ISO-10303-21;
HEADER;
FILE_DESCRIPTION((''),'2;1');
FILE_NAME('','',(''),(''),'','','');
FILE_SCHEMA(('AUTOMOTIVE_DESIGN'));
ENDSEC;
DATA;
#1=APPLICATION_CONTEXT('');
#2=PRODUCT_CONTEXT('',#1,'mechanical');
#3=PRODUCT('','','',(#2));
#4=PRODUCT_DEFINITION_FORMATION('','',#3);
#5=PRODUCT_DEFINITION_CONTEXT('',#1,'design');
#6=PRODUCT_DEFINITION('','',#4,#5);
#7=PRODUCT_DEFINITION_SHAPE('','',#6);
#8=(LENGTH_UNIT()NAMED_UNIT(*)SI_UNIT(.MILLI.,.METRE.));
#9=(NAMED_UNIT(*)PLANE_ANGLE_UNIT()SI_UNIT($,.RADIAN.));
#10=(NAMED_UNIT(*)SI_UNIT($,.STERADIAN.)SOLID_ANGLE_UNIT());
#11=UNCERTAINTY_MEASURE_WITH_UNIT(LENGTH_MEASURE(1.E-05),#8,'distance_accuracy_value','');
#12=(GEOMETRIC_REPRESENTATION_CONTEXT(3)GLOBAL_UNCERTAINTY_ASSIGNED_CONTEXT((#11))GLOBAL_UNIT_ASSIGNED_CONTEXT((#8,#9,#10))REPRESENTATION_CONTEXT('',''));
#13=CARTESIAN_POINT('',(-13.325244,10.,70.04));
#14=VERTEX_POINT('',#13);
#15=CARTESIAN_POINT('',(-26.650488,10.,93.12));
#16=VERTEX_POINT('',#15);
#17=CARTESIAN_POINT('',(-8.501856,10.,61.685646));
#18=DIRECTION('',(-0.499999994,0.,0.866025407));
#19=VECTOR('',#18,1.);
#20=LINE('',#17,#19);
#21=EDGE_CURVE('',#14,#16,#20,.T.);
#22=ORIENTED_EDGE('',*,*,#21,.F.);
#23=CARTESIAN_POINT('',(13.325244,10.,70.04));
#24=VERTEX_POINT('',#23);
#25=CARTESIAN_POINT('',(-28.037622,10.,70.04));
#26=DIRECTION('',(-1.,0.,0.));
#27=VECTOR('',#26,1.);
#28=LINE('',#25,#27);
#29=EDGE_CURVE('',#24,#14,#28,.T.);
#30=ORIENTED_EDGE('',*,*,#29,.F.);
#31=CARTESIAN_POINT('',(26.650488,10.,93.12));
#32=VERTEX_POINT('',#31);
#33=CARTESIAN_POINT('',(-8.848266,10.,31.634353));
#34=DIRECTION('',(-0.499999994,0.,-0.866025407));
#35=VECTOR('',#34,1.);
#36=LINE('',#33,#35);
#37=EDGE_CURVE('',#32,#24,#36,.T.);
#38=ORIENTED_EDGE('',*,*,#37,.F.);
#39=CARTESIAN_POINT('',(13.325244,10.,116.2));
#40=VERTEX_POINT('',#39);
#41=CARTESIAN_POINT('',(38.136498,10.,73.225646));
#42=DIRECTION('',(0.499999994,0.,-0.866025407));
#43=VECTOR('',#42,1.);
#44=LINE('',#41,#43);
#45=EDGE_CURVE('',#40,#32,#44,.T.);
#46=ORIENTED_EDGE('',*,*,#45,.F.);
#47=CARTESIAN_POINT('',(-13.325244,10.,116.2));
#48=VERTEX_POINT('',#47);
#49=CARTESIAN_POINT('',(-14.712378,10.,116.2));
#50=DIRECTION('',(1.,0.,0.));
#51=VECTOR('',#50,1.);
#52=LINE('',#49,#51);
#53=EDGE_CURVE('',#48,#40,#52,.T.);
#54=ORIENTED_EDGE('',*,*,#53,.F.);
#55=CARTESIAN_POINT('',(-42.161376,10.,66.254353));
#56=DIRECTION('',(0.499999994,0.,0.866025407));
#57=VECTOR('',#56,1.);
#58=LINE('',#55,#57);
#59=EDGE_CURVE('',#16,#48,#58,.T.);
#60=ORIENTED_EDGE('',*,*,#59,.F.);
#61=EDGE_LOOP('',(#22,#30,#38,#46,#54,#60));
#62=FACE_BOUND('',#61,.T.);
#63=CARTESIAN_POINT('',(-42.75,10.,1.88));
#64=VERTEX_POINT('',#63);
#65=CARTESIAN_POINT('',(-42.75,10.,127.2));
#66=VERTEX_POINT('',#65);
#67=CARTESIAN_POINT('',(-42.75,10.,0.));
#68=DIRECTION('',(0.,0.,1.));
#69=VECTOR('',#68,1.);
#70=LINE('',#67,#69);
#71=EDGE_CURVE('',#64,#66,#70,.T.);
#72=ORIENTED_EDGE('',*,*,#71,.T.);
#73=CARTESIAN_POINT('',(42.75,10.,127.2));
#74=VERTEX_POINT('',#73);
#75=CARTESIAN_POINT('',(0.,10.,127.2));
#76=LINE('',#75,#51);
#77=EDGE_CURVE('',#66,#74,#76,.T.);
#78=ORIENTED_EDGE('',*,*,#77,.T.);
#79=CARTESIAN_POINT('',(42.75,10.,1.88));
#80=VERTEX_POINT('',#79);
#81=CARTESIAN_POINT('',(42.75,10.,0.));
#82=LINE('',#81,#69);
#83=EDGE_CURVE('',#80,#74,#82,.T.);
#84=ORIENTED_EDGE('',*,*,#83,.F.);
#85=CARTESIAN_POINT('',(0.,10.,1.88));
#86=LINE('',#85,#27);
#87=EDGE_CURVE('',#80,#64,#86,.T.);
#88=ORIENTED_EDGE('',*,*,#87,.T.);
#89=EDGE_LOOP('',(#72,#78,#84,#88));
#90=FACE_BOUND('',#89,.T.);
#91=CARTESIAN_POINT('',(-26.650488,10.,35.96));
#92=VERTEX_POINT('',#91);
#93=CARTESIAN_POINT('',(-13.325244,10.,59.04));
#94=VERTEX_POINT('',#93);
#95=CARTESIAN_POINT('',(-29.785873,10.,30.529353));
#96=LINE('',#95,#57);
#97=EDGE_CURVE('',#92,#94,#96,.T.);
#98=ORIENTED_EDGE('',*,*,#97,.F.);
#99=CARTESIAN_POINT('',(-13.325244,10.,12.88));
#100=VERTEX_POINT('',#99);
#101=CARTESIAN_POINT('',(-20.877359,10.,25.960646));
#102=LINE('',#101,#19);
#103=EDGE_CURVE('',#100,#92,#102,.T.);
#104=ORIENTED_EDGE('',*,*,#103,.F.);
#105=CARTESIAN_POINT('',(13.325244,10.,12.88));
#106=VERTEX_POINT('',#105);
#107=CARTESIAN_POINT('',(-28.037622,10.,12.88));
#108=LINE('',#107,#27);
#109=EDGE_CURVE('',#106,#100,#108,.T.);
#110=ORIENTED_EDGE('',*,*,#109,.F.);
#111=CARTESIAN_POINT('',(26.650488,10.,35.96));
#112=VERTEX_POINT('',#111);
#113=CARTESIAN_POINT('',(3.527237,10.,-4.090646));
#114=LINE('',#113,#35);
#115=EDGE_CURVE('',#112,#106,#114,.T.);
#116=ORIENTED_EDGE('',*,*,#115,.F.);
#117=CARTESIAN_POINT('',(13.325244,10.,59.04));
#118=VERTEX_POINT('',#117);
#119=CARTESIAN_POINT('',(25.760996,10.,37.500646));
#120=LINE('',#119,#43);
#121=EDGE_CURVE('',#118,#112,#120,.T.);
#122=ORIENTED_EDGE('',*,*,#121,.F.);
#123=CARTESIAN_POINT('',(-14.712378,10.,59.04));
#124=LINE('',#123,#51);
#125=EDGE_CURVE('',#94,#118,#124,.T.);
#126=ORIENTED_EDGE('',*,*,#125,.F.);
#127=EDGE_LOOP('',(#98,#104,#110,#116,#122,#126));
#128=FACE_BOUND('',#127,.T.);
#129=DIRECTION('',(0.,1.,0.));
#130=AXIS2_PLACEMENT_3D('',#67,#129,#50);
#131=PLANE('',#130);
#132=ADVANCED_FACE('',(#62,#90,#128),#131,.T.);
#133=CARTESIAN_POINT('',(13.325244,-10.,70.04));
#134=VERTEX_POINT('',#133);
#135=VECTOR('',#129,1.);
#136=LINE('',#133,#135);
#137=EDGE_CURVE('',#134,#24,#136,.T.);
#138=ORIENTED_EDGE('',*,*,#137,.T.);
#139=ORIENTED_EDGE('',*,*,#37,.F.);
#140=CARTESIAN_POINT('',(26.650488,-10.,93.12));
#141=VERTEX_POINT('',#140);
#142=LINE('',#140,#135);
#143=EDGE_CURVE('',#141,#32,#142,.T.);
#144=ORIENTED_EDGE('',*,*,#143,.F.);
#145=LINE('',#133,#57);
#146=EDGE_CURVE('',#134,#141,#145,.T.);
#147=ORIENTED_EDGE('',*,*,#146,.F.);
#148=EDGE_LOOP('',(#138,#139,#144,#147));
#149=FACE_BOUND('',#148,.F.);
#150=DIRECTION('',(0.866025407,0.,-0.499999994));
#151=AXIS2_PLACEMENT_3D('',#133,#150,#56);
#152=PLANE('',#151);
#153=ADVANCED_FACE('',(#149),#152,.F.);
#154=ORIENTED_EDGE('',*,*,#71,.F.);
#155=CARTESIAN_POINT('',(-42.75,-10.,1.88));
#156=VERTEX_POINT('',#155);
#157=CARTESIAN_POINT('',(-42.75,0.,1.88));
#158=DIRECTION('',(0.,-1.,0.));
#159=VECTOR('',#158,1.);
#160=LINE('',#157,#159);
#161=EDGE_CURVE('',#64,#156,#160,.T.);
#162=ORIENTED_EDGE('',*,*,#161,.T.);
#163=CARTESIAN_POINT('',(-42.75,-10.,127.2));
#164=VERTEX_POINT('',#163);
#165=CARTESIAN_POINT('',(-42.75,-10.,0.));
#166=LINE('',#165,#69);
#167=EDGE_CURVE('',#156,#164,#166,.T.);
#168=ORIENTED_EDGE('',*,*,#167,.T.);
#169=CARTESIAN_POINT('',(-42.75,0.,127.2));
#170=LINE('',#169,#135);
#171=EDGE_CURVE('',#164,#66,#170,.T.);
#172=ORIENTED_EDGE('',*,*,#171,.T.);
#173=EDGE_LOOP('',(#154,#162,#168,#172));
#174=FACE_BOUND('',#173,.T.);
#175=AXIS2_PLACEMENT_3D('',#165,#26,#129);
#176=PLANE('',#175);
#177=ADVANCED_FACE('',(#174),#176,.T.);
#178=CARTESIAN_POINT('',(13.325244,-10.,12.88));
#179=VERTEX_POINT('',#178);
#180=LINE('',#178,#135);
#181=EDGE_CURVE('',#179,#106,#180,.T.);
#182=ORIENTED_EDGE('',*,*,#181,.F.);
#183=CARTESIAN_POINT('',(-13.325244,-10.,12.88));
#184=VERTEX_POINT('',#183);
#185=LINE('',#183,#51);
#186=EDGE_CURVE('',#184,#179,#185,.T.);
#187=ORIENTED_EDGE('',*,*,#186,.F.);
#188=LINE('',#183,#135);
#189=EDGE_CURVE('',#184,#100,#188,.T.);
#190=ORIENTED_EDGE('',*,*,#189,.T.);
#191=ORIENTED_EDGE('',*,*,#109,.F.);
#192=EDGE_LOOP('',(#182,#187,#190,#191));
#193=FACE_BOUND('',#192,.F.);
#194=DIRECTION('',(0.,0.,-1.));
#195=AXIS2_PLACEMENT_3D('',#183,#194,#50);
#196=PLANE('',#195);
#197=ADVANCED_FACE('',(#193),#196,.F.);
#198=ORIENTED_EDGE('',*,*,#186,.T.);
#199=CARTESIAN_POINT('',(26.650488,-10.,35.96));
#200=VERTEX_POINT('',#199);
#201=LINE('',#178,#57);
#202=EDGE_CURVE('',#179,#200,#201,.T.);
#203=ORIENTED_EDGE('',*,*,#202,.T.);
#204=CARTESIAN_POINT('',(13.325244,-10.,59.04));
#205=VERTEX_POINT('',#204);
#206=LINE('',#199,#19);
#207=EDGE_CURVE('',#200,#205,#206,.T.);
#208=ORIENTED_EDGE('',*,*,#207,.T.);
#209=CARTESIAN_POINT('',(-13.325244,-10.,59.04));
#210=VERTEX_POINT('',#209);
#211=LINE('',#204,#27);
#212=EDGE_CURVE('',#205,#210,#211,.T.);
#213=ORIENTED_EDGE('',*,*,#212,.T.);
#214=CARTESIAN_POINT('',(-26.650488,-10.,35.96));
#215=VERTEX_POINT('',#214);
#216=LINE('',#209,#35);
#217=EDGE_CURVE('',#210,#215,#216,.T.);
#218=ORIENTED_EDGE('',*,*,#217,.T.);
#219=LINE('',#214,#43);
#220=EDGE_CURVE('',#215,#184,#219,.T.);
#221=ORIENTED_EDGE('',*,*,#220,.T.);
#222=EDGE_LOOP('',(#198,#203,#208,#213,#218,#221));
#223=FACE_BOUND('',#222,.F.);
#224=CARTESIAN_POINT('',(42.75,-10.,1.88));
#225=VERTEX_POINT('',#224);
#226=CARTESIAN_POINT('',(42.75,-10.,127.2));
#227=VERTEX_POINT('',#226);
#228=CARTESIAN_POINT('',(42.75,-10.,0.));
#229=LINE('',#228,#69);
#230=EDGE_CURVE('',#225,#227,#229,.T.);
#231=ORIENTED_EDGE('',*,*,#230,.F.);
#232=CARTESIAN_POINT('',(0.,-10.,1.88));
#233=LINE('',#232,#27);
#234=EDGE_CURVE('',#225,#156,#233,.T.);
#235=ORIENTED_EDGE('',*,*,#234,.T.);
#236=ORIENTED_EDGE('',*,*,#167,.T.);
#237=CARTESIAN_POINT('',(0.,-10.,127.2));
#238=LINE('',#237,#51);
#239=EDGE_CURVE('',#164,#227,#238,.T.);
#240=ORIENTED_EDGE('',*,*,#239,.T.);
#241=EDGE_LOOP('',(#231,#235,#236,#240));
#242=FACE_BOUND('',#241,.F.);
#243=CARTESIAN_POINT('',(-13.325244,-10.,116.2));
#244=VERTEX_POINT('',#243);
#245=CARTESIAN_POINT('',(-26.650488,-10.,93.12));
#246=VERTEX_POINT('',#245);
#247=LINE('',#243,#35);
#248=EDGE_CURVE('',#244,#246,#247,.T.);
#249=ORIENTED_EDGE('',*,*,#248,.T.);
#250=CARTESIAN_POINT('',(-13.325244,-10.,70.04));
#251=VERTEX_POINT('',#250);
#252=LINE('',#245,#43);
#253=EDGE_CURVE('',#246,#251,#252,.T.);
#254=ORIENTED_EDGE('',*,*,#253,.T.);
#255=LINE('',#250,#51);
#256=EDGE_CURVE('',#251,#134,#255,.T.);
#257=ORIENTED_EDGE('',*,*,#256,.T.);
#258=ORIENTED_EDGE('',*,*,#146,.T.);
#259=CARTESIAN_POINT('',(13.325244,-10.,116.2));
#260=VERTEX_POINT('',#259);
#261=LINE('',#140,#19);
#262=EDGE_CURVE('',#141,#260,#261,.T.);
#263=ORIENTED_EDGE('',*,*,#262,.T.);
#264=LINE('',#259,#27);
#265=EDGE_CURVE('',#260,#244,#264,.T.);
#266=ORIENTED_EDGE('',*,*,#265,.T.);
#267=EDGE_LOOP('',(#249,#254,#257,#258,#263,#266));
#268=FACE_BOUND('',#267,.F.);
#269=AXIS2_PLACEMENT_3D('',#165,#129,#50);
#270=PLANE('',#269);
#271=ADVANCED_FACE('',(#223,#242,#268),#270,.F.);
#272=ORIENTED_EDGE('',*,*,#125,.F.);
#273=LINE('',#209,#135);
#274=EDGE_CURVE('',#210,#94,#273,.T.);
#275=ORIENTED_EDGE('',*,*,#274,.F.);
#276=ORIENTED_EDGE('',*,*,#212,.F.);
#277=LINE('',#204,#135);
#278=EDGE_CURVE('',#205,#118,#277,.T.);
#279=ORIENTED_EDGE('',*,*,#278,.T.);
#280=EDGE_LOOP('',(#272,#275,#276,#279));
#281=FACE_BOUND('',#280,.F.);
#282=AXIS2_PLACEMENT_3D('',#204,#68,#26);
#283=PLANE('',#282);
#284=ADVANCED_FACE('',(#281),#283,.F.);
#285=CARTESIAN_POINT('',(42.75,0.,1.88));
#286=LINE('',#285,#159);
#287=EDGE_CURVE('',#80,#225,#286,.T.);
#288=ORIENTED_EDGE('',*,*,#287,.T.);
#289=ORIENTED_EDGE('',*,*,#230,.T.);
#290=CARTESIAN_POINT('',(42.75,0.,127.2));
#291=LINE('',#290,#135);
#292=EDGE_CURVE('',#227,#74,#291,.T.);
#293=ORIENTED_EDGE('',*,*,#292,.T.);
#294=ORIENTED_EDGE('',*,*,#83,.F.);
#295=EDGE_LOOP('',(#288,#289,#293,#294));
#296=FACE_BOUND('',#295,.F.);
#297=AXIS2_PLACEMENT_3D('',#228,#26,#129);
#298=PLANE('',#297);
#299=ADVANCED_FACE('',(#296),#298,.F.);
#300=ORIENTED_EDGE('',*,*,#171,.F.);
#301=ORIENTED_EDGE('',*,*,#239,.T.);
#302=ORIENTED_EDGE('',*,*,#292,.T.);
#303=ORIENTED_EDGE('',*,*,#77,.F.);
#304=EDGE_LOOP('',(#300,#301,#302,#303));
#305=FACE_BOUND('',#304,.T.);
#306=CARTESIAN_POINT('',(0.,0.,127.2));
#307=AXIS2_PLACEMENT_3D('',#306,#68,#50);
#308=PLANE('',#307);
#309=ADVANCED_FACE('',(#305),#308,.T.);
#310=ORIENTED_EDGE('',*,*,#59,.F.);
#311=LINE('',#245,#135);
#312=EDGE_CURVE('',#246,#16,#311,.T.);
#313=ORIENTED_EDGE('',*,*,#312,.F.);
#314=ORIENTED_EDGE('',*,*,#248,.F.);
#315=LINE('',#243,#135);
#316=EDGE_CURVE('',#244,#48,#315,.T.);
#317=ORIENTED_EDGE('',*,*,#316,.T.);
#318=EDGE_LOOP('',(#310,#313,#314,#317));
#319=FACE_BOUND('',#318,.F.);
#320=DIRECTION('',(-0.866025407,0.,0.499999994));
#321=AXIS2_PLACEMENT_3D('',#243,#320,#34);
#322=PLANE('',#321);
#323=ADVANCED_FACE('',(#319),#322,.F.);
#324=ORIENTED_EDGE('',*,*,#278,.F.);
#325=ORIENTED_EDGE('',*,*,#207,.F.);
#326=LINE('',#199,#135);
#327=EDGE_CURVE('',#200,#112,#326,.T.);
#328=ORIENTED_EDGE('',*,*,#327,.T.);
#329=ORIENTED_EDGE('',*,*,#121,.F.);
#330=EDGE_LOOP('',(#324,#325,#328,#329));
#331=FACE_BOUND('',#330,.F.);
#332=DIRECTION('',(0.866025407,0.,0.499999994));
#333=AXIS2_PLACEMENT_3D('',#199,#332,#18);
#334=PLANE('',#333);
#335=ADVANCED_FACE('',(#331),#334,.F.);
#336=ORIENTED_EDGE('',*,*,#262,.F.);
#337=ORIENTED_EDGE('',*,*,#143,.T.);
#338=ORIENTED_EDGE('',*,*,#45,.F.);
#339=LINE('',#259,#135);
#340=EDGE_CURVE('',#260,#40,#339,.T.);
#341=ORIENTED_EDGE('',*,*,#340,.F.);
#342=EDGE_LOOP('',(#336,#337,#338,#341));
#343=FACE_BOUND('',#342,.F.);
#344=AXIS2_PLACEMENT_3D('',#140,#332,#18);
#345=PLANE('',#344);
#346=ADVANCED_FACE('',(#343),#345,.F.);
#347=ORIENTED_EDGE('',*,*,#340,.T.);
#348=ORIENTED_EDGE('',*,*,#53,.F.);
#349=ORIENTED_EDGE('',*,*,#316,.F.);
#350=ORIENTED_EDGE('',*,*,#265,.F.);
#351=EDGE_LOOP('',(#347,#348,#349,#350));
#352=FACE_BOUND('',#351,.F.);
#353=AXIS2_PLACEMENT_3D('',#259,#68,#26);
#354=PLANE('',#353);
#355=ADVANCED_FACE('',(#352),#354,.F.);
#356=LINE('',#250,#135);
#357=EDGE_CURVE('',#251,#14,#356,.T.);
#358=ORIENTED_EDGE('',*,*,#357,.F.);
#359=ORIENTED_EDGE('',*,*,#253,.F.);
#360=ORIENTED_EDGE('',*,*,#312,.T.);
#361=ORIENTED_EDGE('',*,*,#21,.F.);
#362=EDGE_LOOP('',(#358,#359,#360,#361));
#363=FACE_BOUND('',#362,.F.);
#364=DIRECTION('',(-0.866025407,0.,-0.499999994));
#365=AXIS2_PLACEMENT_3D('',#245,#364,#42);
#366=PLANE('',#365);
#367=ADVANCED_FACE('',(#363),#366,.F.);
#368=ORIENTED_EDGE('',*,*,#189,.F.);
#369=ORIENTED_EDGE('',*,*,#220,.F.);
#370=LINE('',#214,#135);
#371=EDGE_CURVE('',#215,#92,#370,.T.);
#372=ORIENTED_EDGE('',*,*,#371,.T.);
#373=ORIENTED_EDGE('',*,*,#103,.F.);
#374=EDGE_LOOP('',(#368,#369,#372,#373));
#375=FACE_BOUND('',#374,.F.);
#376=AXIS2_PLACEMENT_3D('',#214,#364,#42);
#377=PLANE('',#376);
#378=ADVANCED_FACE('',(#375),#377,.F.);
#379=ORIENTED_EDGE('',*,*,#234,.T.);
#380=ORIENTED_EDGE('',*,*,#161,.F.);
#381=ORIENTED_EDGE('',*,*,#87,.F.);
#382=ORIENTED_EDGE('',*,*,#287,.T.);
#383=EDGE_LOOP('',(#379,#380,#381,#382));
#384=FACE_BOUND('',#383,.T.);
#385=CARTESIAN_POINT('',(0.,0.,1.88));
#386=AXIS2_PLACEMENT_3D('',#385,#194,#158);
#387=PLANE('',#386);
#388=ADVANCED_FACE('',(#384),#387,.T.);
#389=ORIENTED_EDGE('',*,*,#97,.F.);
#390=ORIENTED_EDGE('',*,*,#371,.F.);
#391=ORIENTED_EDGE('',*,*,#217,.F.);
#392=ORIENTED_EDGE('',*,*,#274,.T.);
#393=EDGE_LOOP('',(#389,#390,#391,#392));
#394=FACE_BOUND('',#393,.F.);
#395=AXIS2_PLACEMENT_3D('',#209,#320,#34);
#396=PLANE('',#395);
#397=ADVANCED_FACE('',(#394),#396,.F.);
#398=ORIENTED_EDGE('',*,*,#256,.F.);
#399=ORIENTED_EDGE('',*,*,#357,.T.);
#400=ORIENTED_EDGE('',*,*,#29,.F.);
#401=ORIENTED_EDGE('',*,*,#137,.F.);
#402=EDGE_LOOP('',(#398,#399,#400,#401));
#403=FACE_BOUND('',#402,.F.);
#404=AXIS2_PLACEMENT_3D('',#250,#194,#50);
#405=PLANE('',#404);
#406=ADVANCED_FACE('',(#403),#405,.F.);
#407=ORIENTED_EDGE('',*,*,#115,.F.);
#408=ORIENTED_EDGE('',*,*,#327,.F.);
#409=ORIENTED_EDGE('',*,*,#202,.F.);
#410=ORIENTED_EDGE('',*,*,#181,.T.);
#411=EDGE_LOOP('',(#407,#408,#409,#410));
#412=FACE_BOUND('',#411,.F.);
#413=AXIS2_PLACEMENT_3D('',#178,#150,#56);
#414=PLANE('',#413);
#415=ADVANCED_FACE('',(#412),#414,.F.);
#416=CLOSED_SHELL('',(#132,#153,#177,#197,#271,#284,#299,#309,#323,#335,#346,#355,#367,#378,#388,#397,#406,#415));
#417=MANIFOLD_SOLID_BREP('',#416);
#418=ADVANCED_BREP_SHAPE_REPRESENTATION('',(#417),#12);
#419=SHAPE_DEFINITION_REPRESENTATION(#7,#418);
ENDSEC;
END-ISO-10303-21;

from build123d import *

# Parameters (mm, degrees)
SKETCH_W        = 85.5
SKETCH_H        = 20
PAD_DEPTH       = 127.2
PAD_FACE5_W     = 20
PAD_FACE5_H     = 85.5
POCKET_DEPTH    = 1.88
POCKET001_DEPTH = 20.001


with BuildPart() as part:
    # Sketch → Pad (new body)
    with BuildSketch(Plane.XY):
        Rectangle(SKETCH_W, SKETCH_H)
    extrude(amount=PAD_DEPTH)

    # Pad Face5 → Pocket (cut)
    with BuildSketch(Plane(origin=(0, 0, 0), x_dir=(0, -1, 0), z_dir=(0, 0, -1))):
        Rectangle(PAD_FACE5_W, PAD_FACE5_H)
    extrude(amount=-POCKET_DEPTH, mode=Mode.SUBTRACT)

    # Sketch001 (on Face1 of Pocket) → Pocket001 (cut, through all)
    with BuildSketch(Plane.XZ.offset(10)):
        Polygon((13.325244, 70.04), (26.650488, 93.12), (13.325244, 116.2), (-13.325244, 116.2), (-26.650488, 93.12), (-13.325244, 70.04), align=None)
        Polygon((13.325244, 12.88), (26.650488, 35.96), (13.325244, 59.04), (-13.325244, 59.04), (-26.650488, 35.96), (-13.325244, 12.88), align=None)
    extrude(amount=-POCKET001_DEPTH, mode=Mode.SUBTRACT)


solid = part.part
